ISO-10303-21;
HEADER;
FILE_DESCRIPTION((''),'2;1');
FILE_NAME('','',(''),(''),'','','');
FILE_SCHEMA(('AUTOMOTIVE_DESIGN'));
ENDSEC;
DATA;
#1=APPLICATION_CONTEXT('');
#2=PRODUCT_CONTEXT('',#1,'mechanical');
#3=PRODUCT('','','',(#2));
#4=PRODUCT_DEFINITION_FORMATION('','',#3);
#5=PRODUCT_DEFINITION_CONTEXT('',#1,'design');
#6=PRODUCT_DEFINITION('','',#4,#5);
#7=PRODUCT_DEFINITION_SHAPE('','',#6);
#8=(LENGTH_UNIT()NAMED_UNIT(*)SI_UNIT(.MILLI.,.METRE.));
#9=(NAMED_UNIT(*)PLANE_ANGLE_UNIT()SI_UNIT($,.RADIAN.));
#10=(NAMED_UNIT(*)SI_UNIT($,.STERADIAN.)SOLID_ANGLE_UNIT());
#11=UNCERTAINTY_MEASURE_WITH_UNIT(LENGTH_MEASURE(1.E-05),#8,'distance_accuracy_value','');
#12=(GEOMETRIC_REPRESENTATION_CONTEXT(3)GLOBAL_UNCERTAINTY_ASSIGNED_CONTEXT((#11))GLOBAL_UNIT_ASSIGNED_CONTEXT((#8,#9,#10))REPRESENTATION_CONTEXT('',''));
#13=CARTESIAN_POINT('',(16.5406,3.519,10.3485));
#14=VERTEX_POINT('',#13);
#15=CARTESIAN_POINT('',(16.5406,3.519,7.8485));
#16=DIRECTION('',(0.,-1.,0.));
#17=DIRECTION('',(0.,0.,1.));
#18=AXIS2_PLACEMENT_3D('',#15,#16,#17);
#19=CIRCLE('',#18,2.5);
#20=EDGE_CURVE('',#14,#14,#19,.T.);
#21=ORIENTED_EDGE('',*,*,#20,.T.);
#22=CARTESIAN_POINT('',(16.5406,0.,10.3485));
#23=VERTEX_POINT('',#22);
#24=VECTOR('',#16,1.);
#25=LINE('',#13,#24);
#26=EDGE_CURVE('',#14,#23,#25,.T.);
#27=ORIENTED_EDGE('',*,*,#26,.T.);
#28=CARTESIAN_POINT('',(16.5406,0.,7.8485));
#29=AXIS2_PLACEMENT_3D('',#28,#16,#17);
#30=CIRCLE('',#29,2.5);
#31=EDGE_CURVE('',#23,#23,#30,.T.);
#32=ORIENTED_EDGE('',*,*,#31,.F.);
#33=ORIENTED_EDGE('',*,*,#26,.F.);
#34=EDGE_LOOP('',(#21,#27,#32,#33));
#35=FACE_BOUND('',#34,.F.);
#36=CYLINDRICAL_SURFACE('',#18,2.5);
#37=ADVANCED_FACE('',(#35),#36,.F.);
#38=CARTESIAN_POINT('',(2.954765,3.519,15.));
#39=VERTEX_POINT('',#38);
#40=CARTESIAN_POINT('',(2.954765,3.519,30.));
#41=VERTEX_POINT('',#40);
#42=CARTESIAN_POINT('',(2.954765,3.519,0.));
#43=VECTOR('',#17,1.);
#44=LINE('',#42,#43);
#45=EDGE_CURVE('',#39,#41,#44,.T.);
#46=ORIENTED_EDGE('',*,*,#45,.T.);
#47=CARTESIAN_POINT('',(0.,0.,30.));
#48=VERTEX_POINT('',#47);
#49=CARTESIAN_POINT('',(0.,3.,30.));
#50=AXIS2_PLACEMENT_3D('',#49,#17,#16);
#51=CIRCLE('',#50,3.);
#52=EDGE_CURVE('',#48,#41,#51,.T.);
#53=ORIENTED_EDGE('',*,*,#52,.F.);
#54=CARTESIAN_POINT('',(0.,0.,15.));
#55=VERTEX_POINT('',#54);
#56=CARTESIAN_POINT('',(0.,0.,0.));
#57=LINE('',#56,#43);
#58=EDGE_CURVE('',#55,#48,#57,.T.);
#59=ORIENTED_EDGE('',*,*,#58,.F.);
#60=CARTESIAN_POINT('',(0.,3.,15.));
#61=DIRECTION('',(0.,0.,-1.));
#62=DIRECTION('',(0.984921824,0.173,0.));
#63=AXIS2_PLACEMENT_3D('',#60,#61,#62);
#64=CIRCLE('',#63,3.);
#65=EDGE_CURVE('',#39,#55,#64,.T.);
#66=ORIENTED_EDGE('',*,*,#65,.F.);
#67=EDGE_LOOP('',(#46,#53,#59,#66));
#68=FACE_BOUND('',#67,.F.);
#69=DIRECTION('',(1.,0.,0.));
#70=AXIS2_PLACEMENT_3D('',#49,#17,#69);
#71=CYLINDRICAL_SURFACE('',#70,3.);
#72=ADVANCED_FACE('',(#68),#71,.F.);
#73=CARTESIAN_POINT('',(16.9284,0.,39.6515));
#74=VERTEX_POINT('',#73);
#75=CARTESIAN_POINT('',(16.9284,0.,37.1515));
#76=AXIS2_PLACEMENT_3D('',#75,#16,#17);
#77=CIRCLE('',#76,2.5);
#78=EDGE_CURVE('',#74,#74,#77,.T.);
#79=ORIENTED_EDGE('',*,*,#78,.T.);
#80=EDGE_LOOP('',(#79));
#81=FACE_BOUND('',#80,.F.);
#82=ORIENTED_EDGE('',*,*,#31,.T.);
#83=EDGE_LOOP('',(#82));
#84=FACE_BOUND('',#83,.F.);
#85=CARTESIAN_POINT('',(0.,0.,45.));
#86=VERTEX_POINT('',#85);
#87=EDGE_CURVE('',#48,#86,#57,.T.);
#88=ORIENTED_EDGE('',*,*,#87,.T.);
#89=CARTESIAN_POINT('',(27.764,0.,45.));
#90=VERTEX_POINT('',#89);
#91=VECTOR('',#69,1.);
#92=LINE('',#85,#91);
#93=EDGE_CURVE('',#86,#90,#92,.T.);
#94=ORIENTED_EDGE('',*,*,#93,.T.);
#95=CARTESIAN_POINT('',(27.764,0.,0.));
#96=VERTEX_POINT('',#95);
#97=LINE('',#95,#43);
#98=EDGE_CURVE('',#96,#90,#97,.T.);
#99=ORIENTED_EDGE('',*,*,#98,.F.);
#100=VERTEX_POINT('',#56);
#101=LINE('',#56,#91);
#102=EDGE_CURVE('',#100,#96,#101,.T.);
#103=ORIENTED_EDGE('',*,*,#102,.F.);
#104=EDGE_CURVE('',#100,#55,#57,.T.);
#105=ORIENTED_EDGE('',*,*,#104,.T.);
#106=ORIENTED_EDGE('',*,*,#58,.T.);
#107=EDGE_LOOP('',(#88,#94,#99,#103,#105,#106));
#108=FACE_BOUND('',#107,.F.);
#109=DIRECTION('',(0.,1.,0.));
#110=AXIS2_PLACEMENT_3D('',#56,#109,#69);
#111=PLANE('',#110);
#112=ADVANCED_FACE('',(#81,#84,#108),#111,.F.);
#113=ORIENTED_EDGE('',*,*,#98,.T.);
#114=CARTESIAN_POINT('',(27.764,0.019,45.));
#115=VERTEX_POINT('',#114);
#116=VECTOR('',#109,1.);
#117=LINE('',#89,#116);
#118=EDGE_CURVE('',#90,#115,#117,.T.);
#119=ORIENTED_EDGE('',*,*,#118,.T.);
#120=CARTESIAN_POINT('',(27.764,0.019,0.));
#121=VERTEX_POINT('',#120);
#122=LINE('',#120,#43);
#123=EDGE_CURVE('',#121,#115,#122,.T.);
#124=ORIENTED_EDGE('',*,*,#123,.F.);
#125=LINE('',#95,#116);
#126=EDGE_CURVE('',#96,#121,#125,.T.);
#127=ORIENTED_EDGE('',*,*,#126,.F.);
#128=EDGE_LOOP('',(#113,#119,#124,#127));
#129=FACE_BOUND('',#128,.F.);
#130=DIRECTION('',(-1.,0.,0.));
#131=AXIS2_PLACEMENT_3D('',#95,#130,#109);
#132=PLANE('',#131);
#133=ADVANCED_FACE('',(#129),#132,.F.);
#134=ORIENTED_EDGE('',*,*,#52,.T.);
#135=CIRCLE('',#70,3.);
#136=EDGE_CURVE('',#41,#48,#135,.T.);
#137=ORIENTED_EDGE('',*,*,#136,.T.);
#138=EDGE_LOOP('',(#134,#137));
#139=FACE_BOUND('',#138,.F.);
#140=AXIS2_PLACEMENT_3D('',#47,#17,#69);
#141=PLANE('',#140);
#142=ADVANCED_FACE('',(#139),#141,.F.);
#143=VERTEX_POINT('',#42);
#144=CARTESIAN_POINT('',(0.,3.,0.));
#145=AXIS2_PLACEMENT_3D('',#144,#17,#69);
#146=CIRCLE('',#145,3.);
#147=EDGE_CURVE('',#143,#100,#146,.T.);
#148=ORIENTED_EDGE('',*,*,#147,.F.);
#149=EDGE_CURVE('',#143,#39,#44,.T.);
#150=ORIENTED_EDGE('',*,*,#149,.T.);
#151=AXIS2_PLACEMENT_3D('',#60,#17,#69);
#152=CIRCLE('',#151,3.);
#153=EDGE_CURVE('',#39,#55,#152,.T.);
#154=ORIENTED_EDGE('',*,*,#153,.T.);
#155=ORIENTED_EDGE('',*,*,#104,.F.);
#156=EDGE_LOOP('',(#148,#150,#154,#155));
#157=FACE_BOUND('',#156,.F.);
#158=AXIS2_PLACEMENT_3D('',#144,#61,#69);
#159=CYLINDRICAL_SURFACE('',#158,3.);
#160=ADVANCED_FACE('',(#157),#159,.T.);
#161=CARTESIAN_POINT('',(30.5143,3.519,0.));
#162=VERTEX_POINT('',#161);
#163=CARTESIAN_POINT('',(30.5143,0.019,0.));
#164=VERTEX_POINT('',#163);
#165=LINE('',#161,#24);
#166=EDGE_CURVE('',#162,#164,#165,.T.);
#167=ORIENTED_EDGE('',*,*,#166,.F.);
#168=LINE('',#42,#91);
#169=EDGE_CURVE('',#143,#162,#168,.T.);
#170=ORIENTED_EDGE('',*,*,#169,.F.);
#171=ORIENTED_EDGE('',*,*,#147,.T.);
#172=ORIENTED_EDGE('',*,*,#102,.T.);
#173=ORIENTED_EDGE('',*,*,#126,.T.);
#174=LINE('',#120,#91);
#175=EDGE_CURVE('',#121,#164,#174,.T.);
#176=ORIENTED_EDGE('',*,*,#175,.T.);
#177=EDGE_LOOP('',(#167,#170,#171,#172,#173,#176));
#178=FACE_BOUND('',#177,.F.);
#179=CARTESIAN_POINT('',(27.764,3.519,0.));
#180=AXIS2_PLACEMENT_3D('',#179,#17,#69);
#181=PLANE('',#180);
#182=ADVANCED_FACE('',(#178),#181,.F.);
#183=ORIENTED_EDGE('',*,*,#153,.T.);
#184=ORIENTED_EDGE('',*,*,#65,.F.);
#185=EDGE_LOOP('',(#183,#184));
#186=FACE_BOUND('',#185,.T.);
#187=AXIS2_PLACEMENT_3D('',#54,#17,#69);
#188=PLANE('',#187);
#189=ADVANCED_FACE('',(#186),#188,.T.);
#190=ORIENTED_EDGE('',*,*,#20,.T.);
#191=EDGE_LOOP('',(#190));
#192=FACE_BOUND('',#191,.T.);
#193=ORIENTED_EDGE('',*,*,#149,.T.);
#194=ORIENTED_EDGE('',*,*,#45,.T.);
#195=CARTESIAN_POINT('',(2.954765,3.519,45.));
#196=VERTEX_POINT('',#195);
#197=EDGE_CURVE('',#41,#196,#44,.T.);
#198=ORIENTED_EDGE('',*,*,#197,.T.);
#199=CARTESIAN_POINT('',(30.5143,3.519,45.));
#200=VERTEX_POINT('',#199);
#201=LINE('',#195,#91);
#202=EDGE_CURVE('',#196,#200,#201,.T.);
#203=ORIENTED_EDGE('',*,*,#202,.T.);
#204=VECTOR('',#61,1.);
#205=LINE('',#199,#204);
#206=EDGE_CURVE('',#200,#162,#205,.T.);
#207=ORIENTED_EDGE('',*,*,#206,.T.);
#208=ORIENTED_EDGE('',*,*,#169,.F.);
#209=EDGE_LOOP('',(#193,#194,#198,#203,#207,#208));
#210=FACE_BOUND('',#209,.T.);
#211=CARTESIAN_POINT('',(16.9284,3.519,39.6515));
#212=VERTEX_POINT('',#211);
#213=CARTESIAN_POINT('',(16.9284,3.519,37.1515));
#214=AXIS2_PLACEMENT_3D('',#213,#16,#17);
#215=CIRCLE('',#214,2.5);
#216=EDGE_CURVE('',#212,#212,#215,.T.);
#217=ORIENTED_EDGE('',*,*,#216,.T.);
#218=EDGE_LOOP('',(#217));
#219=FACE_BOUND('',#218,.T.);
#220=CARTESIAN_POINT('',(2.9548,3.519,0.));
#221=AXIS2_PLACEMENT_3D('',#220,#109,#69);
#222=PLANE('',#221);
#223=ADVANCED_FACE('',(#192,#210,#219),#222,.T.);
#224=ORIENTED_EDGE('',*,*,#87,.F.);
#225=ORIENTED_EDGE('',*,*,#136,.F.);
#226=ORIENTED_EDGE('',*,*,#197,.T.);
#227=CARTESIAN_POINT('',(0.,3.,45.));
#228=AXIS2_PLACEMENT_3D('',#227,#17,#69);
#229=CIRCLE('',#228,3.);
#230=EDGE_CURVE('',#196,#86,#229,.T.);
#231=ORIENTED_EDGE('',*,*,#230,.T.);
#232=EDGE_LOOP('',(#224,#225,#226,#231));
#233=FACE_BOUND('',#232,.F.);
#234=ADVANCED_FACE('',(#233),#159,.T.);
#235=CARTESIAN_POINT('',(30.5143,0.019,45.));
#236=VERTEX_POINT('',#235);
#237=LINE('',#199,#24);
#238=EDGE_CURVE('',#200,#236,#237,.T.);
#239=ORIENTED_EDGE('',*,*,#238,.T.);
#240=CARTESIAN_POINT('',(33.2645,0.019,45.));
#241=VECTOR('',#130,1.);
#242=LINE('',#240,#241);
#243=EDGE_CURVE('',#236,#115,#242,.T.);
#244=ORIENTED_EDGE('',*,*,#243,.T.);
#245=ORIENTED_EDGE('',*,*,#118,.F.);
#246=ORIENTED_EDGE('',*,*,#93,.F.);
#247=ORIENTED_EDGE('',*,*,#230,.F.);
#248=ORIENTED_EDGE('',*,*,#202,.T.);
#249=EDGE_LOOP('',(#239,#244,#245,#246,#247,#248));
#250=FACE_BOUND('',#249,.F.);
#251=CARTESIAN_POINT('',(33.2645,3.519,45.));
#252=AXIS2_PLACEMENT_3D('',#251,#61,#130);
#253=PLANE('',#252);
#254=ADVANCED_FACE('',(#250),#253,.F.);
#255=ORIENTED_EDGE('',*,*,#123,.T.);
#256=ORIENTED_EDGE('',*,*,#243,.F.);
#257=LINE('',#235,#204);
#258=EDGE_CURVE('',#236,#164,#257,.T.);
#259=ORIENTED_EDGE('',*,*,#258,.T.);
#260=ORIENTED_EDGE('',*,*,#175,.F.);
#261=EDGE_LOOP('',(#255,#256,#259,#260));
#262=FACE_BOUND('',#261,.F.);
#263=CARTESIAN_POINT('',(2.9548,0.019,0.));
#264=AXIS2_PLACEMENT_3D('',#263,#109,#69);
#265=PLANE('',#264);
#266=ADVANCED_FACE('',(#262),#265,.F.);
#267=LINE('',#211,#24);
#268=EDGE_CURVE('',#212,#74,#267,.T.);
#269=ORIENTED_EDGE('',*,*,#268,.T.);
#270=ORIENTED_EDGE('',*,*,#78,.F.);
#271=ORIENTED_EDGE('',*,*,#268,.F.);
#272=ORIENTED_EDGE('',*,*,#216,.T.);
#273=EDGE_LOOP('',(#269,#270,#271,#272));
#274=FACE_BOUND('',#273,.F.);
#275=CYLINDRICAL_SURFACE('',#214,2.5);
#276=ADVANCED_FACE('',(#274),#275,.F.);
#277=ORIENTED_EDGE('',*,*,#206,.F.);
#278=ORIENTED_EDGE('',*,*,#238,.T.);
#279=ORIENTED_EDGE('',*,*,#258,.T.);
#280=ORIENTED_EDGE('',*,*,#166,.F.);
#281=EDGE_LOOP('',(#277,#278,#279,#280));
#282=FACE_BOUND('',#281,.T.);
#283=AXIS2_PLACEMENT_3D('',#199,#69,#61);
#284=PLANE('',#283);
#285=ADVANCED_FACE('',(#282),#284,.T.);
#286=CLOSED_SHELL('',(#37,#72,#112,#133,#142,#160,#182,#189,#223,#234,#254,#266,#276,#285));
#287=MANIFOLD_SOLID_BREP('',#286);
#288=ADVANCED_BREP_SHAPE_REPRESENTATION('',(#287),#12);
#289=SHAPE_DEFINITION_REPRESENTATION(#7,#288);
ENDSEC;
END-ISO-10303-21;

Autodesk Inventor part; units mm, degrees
ref_plane "YZ Plane" through (0, 0, 0) normal (1, 0, 0) x (0, 1, 0)
ref_plane "XZ Plane" through (0, 0, 0) normal (0, 1, 0) x (-1, 0, 0)
ref_plane "XY Plane" through (0, 0, 0) normal (0, 0, 1) x (1, 0, 0)
sketch "Sketch11" plane through (0, 0, 0) normal (0, 0, 1) x (1, 0, 0)
  line L0 (0, 0) -> (27.764, 0)
  line L1 (27.764, 0) -> (27.764, 3.519)
  line L2 (27.764, 3.519) -> (0, 3.519)
  line L3 (0, 3.519) -> (0, 0)
  circle A0 centre (0, 3) radius 3
  point P0 (2.9548, 3.519)
  dimension "d25" = 27.764
  dimension "d26" = 3.519
  dimension "d27" = 6
extrude "Extrusion5" add sketch "Sketch11" along normal blind 45
ref_plane "Work Plane3" through (0, 0, 30) normal (0, 0, 1) x (1, 0, 0)
sketch "Sketch12" plane through (0, 0, 30) normal (0, 0, 1) x (1, 0, 0)
  circle A0 centre (0, 3) radius 3
  point P0 (0, 0)
  dimension "d32" = 6
extrude "Extrusion6" cut sketch "Sketch12" against normal blind 15
sketch "Sketch13" plane through (27.764, 0, 0) normal (1, 0, 0) x (0, 0, -1)
  point P0 (0, 0)
sketch "Sketch14" plane through (2.9548, 3.519, 0) normal (0, 1, 0) x (1, 0, 0)
  line L0 (24.8092, 0) -> (24.8092, -45) projected
  line L1 (24.8092, 0) -> (30.3097, 0)
  line L2 (30.3097, 0) -> (30.3097, -45)
  line L3 (30.3097, -45) -> (24.8092, -45)
  line L4 (24.8092, -45) -> (24.8092, 0)
  point P0 (-2.9548, 0)
  dimension "d35" = 45
extrude "Extrusion7" add sketch "Sketch14" against normal blind 3.5
sketch "Sketch15" plane through (2.9548, 3.519, 15) normal (0, 1, 0) x (1, 0, 0)
  line L0 (30.3097, 15) -> (30.3097, -30) projected
  line L1 (24.8092, 15) -> (30.3097, 15) projected
  line L2 (30.3097, -30) -> (27.5595, -30)
  line L3 (27.5595, -30) -> (27.5595, 15)
  line L4 (27.5595, 15) -> (30.3097, 15)
  line L5 (30.3097, 15) -> (30.3097, -30)
  point P0 (-2.9548, 15)
extrude "Extrusion8" cut sketch "Sketch15" against normal blind 3.5
sketch "Sketch16" plane through (1.0163, 3.519, 45.1466) normal (0, 1, 0) x (1, 0, 0)
  point P0 (-2.9547, 45)
  point P1 (15.912, 7.9951)
  point P2 (15.5243, 37.2981)
hole "Hole2" at (16.9284, 3.519, 37.1515) at (16.5406, 3.519, 7.8485) direction (0, -1, 0) diameter 5 end through all
properties part number "final right" material "Stainless Steel"
